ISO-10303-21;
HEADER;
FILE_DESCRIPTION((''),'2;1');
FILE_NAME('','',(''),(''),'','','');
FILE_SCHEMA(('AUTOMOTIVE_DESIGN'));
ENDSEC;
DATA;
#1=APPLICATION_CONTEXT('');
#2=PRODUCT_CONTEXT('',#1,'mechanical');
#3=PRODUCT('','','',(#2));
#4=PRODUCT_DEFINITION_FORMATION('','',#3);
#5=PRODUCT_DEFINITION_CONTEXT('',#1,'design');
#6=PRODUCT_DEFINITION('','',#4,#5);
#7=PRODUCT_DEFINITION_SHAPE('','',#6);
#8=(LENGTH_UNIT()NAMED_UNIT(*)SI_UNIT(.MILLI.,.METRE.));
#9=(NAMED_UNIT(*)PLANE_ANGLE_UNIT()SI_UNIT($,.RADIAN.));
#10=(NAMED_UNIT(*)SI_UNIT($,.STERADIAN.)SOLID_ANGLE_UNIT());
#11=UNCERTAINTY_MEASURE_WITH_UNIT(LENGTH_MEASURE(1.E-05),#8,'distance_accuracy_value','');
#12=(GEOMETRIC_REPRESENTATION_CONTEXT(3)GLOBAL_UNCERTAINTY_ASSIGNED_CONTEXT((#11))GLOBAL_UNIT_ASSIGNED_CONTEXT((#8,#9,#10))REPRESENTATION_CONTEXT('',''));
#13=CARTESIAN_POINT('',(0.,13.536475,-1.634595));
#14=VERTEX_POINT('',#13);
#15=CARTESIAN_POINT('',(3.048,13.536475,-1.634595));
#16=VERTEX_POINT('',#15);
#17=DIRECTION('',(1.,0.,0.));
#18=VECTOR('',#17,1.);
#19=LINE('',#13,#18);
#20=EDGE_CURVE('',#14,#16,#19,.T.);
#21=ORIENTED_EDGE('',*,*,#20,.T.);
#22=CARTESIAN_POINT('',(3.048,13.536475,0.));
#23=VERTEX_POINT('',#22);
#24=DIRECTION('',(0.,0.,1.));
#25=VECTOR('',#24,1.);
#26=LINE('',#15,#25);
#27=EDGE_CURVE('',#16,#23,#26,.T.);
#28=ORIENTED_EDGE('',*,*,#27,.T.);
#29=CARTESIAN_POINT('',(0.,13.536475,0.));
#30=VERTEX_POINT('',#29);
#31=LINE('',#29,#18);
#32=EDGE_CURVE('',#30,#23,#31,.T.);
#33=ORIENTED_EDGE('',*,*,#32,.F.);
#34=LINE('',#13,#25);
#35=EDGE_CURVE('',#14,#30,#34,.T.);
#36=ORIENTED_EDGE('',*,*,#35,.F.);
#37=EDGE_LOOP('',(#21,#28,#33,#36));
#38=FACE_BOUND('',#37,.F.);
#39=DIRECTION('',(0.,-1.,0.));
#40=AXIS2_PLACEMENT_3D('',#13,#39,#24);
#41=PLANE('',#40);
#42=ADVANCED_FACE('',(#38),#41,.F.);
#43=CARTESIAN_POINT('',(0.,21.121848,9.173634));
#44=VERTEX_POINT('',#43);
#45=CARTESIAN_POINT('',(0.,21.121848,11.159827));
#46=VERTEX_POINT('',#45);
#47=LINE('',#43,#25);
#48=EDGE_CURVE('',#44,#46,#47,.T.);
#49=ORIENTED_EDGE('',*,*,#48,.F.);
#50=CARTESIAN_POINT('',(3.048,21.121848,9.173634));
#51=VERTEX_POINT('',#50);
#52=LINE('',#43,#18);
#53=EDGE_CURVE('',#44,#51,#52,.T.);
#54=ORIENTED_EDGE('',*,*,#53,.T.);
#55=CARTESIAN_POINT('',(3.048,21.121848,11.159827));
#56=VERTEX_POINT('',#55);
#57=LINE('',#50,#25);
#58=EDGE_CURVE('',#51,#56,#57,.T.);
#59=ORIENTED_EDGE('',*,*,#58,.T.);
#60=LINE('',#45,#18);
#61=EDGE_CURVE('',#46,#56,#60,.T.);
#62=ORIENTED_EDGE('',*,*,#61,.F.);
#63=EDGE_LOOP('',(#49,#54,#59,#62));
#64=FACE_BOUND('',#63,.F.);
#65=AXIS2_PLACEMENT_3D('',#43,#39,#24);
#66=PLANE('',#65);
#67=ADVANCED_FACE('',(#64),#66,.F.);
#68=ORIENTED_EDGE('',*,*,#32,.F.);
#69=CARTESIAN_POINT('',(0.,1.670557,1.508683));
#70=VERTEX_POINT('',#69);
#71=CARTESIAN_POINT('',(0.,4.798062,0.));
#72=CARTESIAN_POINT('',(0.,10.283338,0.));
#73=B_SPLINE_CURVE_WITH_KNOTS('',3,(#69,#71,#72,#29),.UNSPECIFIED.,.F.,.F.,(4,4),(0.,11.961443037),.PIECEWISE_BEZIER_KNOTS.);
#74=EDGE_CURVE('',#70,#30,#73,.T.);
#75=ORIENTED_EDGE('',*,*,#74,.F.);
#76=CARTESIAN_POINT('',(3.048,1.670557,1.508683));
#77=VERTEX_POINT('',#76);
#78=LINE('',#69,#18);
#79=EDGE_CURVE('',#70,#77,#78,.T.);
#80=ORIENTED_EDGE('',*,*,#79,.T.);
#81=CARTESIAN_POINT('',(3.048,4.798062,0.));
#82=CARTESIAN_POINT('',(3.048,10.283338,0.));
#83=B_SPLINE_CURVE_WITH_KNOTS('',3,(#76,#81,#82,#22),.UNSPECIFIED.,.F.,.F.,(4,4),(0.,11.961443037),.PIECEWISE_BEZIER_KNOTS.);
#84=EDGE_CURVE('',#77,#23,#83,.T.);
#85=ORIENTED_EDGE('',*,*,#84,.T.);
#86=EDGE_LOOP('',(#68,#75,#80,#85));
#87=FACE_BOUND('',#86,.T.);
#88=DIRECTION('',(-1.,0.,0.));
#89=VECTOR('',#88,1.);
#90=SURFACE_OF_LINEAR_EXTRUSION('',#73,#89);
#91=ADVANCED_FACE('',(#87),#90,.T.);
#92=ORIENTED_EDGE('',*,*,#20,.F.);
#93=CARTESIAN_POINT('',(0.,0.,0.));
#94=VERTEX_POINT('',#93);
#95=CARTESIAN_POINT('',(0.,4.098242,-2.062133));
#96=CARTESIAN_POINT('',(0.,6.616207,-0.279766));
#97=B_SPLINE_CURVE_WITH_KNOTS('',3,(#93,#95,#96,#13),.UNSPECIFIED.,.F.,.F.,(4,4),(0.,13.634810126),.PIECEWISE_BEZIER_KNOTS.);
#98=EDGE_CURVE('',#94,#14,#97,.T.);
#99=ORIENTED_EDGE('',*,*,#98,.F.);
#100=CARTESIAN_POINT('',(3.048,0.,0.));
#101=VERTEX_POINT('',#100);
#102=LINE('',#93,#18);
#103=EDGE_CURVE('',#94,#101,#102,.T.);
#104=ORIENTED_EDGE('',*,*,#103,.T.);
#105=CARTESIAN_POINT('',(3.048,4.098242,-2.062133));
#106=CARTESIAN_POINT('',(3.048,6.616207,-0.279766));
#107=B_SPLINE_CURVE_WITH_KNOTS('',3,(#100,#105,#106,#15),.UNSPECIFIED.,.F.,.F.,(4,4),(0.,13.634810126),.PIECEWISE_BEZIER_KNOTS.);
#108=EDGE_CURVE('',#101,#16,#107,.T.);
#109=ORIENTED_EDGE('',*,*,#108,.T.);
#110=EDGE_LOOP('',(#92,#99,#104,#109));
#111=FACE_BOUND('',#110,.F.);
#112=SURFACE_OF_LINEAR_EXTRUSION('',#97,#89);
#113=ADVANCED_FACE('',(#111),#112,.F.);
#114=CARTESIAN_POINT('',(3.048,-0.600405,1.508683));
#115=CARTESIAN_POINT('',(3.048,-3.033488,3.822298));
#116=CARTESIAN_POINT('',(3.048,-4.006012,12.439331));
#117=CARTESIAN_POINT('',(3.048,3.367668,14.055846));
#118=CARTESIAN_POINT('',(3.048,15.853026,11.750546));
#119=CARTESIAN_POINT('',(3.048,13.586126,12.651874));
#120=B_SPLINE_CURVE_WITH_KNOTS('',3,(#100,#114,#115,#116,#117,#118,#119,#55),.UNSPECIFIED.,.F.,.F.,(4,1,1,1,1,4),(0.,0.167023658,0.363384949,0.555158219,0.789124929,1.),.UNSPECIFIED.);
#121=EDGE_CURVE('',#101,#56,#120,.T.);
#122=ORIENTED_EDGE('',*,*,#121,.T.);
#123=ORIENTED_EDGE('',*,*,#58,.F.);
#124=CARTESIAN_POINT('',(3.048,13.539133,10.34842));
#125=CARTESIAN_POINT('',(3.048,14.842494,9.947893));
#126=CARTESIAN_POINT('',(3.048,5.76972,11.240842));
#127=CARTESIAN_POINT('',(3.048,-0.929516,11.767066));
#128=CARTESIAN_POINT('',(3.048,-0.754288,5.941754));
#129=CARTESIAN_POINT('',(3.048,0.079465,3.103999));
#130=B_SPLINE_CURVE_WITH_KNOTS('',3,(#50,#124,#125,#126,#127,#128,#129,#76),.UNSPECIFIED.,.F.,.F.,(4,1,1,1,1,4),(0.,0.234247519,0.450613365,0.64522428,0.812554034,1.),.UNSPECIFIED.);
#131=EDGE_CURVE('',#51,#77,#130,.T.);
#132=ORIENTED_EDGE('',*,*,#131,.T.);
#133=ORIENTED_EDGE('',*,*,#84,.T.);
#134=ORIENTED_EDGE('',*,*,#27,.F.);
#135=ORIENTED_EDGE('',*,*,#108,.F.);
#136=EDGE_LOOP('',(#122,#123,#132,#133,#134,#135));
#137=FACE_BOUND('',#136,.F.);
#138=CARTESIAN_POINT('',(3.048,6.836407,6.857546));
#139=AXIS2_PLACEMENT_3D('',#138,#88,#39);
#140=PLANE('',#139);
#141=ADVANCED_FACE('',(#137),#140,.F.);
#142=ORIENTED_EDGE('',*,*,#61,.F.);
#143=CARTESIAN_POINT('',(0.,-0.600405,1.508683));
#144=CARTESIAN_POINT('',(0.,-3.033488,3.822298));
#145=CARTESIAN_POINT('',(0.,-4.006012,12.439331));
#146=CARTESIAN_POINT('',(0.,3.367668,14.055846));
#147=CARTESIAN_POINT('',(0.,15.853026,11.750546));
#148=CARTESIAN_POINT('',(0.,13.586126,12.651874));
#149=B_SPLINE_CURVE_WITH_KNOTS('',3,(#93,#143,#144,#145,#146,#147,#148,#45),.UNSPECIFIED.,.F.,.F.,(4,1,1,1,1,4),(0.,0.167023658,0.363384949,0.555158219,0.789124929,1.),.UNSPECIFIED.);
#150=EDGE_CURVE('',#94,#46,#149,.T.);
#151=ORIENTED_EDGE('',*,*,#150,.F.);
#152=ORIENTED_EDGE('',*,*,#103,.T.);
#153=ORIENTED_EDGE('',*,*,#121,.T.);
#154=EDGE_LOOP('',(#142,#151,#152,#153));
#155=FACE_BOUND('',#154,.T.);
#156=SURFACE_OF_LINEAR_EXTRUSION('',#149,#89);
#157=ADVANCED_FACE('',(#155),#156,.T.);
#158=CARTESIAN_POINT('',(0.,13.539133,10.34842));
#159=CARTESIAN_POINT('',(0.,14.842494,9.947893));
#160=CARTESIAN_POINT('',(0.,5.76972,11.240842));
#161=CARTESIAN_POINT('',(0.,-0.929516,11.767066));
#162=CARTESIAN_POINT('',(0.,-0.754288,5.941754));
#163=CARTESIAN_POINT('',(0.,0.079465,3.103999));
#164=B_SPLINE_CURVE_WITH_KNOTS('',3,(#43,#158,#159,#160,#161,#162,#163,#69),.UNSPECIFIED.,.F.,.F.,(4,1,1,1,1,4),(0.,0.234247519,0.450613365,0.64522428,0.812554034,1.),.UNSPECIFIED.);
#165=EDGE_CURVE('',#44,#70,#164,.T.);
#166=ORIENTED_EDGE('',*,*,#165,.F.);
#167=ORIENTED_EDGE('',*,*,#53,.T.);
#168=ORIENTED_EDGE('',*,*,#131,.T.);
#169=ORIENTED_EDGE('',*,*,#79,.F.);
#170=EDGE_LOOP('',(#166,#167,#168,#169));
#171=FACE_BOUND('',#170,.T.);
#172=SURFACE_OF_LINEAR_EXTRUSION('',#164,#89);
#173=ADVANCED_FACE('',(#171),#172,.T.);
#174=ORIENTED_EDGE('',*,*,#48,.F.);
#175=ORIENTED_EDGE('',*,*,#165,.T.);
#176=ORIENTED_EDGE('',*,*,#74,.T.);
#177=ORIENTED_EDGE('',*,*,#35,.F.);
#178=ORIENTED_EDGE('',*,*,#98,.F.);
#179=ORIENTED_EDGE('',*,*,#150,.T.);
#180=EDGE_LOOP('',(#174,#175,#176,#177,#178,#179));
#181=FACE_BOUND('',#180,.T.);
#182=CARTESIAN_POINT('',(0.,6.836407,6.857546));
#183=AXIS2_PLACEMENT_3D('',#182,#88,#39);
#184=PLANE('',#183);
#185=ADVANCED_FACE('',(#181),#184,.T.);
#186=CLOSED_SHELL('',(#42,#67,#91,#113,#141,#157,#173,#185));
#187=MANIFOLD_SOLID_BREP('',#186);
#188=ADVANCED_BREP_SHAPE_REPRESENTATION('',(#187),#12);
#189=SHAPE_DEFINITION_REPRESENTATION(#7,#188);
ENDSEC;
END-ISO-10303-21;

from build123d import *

# Parameters (mm, degrees)
F1_DEPTH = 3.048


with BuildPart() as f1:
    # F0 (on Right) → F1 (new body)
    with BuildSketch(Plane.YZ):
        with BuildLine():
            add(Edge.make_bspline(
                [(0, 0), (-0.6004048996, 1.5086833037), (-3.0334881934, 3.8222977361), (-4.0060120551, 12.4393311739), (3.367667789, 14.0558456434), (15.8530258102, 11.750546335), (13.5861258779, 12.6518735944), (21.1218483544, 11.1598266489)],
                knots=[0, 0, 0, 0, 0.1670236582, 0.3633849485, 0.5551582189, 0.7891249294, 1, 1, 1, 1], degree=3))
            add(Edge.make_bspline(
                [(0, 0), (4.0982416831, -2.0621325821), (6.6162073053, -0.2797659836), (13.5364746675, -1.6345949844)],
                knots=[0, 0, 0, 0, 13.6348101265, 13.6348101265, 13.6348101265, 13.6348101265], degree=3))
            Line((13.5364746675, -1.6345949844), (13.5364746675, 0))
            add(Edge.make_bspline(
                [(1.6705573319, 1.5086833037), (4.7980615687, 0), (10.2833379687, 0), (13.5364746675, 0)],
                knots=[0, 0, 0, 0, 11.961443037, 11.961443037, 11.961443037, 11.961443037], degree=3))
            add(Edge.make_bspline(
                [(21.1218483544, 9.1736335307), (13.5391330595, 10.3484202132), (14.8424938275, 9.9478930702), (5.769720397, 11.2408423872), (-0.9295156849, 11.7670656977), (-0.7542877865, 5.9417537421), (0.0794652128, 3.1039989078), (1.6705573319, 1.5086833037)],
                knots=[0, 0, 0, 0, 0.2342475194, 0.4506133653, 0.6452242796, 0.8125540343, 1, 1, 1, 1], degree=3))
            Line((21.1218483544, 9.1736335307), (21.1218483544, 11.1598266489))
        make_face()
    extrude(amount=F1_DEPTH)


solid = f1.part
